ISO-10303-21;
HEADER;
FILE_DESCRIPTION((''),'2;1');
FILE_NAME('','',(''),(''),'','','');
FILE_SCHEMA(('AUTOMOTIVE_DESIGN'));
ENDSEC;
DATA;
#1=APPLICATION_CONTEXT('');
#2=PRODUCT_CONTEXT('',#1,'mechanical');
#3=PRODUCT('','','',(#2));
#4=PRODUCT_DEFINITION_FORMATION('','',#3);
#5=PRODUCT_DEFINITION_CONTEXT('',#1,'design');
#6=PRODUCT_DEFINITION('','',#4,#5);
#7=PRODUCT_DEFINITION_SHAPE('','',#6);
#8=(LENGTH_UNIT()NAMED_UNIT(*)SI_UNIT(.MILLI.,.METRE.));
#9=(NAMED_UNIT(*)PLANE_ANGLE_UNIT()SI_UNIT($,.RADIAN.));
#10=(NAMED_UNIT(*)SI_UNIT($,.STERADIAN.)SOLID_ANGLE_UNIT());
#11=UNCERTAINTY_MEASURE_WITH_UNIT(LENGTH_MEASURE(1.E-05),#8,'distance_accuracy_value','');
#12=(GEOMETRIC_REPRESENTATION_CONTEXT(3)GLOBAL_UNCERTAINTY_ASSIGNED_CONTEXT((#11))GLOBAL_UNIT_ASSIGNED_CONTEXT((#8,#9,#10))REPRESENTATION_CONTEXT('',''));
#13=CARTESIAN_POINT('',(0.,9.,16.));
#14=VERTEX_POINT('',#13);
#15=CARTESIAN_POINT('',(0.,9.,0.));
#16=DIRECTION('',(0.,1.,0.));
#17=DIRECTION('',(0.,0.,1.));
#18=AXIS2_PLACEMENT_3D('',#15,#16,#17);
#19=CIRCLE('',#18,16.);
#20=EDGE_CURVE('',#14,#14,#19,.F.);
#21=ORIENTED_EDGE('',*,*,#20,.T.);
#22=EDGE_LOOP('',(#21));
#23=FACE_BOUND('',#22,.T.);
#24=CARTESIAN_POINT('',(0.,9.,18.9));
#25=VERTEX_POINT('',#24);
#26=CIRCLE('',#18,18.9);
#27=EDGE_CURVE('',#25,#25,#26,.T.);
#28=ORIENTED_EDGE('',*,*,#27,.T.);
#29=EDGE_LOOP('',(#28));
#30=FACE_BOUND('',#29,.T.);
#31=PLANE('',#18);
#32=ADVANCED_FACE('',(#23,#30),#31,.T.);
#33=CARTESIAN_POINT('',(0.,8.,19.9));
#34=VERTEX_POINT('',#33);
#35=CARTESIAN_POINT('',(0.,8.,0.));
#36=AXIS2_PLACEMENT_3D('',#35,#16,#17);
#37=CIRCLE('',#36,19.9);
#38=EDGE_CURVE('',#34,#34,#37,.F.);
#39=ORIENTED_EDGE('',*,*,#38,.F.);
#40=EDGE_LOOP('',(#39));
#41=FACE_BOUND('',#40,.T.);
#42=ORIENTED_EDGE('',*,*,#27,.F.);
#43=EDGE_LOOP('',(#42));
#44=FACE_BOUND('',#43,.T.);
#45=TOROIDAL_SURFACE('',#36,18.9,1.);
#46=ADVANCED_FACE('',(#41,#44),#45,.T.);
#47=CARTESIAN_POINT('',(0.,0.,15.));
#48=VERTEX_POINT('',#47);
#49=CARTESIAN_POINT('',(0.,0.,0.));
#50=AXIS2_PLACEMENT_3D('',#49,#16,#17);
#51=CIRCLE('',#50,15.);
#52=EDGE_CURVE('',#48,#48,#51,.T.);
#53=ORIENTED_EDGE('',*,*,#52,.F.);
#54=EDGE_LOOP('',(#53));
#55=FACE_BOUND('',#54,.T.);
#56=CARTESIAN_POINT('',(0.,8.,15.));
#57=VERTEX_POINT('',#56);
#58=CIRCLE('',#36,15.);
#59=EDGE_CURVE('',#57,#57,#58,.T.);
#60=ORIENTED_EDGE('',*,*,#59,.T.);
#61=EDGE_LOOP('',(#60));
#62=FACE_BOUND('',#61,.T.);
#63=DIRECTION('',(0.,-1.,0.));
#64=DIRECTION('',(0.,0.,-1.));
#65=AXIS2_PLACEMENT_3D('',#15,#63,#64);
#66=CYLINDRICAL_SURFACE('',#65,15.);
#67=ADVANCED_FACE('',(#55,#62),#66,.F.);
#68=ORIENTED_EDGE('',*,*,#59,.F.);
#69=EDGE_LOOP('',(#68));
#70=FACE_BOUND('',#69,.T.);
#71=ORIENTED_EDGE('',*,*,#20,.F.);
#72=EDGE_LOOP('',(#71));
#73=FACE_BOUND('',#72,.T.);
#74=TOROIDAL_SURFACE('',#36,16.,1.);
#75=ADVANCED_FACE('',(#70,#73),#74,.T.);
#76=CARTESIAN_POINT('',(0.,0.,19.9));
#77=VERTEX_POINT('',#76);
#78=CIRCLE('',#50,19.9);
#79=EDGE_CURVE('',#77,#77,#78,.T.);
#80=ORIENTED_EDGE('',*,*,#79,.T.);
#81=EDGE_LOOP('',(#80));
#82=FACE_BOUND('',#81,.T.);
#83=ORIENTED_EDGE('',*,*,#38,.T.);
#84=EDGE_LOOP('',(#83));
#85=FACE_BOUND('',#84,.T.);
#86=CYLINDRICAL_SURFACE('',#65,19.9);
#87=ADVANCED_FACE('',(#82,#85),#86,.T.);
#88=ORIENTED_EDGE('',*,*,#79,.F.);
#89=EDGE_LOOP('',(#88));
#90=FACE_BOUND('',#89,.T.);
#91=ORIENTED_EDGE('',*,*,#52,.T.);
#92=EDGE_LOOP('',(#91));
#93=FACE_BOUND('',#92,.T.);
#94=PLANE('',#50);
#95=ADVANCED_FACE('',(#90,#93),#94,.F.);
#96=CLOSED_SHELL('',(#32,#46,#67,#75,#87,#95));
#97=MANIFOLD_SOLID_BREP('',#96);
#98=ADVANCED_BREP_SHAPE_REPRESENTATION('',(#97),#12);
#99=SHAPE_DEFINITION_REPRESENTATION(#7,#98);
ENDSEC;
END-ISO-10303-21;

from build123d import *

# Parameters (mm, degrees)
SKETCH1_R           = 19.9
SKETCH1_R_2         = 15
BOSS_EXTRUDE2_DEPTH = 9
FILLET1_R           = 1


with BuildPart() as part:
    # Sketch1 → Boss-Extrude2 (new body)
    with BuildSketch(Plane(origin=(0, 0, 0), x_dir=(1, 0, 0), z_dir=(0, 1, 0))):
        with Locations(Location((0, 0, 0), (0, 0, 270))):
            Circle(SKETCH1_R)
        with Locations(Location((0, 0, 0), (0, 0, 270))):
            Circle(SKETCH1_R_2, mode=Mode.SUBTRACT)
    extrude(amount=BOSS_EXTRUDE2_DEPTH)

    # Fillet1
    fillet1_edges = [part.edges().sort_by_distance(p)[0] for p in [
        (0, 9, -19.9),
        (0, 9, -15),
    ]]
    fillet(fillet1_edges, radius=FILLET1_R)


solid = part.part
